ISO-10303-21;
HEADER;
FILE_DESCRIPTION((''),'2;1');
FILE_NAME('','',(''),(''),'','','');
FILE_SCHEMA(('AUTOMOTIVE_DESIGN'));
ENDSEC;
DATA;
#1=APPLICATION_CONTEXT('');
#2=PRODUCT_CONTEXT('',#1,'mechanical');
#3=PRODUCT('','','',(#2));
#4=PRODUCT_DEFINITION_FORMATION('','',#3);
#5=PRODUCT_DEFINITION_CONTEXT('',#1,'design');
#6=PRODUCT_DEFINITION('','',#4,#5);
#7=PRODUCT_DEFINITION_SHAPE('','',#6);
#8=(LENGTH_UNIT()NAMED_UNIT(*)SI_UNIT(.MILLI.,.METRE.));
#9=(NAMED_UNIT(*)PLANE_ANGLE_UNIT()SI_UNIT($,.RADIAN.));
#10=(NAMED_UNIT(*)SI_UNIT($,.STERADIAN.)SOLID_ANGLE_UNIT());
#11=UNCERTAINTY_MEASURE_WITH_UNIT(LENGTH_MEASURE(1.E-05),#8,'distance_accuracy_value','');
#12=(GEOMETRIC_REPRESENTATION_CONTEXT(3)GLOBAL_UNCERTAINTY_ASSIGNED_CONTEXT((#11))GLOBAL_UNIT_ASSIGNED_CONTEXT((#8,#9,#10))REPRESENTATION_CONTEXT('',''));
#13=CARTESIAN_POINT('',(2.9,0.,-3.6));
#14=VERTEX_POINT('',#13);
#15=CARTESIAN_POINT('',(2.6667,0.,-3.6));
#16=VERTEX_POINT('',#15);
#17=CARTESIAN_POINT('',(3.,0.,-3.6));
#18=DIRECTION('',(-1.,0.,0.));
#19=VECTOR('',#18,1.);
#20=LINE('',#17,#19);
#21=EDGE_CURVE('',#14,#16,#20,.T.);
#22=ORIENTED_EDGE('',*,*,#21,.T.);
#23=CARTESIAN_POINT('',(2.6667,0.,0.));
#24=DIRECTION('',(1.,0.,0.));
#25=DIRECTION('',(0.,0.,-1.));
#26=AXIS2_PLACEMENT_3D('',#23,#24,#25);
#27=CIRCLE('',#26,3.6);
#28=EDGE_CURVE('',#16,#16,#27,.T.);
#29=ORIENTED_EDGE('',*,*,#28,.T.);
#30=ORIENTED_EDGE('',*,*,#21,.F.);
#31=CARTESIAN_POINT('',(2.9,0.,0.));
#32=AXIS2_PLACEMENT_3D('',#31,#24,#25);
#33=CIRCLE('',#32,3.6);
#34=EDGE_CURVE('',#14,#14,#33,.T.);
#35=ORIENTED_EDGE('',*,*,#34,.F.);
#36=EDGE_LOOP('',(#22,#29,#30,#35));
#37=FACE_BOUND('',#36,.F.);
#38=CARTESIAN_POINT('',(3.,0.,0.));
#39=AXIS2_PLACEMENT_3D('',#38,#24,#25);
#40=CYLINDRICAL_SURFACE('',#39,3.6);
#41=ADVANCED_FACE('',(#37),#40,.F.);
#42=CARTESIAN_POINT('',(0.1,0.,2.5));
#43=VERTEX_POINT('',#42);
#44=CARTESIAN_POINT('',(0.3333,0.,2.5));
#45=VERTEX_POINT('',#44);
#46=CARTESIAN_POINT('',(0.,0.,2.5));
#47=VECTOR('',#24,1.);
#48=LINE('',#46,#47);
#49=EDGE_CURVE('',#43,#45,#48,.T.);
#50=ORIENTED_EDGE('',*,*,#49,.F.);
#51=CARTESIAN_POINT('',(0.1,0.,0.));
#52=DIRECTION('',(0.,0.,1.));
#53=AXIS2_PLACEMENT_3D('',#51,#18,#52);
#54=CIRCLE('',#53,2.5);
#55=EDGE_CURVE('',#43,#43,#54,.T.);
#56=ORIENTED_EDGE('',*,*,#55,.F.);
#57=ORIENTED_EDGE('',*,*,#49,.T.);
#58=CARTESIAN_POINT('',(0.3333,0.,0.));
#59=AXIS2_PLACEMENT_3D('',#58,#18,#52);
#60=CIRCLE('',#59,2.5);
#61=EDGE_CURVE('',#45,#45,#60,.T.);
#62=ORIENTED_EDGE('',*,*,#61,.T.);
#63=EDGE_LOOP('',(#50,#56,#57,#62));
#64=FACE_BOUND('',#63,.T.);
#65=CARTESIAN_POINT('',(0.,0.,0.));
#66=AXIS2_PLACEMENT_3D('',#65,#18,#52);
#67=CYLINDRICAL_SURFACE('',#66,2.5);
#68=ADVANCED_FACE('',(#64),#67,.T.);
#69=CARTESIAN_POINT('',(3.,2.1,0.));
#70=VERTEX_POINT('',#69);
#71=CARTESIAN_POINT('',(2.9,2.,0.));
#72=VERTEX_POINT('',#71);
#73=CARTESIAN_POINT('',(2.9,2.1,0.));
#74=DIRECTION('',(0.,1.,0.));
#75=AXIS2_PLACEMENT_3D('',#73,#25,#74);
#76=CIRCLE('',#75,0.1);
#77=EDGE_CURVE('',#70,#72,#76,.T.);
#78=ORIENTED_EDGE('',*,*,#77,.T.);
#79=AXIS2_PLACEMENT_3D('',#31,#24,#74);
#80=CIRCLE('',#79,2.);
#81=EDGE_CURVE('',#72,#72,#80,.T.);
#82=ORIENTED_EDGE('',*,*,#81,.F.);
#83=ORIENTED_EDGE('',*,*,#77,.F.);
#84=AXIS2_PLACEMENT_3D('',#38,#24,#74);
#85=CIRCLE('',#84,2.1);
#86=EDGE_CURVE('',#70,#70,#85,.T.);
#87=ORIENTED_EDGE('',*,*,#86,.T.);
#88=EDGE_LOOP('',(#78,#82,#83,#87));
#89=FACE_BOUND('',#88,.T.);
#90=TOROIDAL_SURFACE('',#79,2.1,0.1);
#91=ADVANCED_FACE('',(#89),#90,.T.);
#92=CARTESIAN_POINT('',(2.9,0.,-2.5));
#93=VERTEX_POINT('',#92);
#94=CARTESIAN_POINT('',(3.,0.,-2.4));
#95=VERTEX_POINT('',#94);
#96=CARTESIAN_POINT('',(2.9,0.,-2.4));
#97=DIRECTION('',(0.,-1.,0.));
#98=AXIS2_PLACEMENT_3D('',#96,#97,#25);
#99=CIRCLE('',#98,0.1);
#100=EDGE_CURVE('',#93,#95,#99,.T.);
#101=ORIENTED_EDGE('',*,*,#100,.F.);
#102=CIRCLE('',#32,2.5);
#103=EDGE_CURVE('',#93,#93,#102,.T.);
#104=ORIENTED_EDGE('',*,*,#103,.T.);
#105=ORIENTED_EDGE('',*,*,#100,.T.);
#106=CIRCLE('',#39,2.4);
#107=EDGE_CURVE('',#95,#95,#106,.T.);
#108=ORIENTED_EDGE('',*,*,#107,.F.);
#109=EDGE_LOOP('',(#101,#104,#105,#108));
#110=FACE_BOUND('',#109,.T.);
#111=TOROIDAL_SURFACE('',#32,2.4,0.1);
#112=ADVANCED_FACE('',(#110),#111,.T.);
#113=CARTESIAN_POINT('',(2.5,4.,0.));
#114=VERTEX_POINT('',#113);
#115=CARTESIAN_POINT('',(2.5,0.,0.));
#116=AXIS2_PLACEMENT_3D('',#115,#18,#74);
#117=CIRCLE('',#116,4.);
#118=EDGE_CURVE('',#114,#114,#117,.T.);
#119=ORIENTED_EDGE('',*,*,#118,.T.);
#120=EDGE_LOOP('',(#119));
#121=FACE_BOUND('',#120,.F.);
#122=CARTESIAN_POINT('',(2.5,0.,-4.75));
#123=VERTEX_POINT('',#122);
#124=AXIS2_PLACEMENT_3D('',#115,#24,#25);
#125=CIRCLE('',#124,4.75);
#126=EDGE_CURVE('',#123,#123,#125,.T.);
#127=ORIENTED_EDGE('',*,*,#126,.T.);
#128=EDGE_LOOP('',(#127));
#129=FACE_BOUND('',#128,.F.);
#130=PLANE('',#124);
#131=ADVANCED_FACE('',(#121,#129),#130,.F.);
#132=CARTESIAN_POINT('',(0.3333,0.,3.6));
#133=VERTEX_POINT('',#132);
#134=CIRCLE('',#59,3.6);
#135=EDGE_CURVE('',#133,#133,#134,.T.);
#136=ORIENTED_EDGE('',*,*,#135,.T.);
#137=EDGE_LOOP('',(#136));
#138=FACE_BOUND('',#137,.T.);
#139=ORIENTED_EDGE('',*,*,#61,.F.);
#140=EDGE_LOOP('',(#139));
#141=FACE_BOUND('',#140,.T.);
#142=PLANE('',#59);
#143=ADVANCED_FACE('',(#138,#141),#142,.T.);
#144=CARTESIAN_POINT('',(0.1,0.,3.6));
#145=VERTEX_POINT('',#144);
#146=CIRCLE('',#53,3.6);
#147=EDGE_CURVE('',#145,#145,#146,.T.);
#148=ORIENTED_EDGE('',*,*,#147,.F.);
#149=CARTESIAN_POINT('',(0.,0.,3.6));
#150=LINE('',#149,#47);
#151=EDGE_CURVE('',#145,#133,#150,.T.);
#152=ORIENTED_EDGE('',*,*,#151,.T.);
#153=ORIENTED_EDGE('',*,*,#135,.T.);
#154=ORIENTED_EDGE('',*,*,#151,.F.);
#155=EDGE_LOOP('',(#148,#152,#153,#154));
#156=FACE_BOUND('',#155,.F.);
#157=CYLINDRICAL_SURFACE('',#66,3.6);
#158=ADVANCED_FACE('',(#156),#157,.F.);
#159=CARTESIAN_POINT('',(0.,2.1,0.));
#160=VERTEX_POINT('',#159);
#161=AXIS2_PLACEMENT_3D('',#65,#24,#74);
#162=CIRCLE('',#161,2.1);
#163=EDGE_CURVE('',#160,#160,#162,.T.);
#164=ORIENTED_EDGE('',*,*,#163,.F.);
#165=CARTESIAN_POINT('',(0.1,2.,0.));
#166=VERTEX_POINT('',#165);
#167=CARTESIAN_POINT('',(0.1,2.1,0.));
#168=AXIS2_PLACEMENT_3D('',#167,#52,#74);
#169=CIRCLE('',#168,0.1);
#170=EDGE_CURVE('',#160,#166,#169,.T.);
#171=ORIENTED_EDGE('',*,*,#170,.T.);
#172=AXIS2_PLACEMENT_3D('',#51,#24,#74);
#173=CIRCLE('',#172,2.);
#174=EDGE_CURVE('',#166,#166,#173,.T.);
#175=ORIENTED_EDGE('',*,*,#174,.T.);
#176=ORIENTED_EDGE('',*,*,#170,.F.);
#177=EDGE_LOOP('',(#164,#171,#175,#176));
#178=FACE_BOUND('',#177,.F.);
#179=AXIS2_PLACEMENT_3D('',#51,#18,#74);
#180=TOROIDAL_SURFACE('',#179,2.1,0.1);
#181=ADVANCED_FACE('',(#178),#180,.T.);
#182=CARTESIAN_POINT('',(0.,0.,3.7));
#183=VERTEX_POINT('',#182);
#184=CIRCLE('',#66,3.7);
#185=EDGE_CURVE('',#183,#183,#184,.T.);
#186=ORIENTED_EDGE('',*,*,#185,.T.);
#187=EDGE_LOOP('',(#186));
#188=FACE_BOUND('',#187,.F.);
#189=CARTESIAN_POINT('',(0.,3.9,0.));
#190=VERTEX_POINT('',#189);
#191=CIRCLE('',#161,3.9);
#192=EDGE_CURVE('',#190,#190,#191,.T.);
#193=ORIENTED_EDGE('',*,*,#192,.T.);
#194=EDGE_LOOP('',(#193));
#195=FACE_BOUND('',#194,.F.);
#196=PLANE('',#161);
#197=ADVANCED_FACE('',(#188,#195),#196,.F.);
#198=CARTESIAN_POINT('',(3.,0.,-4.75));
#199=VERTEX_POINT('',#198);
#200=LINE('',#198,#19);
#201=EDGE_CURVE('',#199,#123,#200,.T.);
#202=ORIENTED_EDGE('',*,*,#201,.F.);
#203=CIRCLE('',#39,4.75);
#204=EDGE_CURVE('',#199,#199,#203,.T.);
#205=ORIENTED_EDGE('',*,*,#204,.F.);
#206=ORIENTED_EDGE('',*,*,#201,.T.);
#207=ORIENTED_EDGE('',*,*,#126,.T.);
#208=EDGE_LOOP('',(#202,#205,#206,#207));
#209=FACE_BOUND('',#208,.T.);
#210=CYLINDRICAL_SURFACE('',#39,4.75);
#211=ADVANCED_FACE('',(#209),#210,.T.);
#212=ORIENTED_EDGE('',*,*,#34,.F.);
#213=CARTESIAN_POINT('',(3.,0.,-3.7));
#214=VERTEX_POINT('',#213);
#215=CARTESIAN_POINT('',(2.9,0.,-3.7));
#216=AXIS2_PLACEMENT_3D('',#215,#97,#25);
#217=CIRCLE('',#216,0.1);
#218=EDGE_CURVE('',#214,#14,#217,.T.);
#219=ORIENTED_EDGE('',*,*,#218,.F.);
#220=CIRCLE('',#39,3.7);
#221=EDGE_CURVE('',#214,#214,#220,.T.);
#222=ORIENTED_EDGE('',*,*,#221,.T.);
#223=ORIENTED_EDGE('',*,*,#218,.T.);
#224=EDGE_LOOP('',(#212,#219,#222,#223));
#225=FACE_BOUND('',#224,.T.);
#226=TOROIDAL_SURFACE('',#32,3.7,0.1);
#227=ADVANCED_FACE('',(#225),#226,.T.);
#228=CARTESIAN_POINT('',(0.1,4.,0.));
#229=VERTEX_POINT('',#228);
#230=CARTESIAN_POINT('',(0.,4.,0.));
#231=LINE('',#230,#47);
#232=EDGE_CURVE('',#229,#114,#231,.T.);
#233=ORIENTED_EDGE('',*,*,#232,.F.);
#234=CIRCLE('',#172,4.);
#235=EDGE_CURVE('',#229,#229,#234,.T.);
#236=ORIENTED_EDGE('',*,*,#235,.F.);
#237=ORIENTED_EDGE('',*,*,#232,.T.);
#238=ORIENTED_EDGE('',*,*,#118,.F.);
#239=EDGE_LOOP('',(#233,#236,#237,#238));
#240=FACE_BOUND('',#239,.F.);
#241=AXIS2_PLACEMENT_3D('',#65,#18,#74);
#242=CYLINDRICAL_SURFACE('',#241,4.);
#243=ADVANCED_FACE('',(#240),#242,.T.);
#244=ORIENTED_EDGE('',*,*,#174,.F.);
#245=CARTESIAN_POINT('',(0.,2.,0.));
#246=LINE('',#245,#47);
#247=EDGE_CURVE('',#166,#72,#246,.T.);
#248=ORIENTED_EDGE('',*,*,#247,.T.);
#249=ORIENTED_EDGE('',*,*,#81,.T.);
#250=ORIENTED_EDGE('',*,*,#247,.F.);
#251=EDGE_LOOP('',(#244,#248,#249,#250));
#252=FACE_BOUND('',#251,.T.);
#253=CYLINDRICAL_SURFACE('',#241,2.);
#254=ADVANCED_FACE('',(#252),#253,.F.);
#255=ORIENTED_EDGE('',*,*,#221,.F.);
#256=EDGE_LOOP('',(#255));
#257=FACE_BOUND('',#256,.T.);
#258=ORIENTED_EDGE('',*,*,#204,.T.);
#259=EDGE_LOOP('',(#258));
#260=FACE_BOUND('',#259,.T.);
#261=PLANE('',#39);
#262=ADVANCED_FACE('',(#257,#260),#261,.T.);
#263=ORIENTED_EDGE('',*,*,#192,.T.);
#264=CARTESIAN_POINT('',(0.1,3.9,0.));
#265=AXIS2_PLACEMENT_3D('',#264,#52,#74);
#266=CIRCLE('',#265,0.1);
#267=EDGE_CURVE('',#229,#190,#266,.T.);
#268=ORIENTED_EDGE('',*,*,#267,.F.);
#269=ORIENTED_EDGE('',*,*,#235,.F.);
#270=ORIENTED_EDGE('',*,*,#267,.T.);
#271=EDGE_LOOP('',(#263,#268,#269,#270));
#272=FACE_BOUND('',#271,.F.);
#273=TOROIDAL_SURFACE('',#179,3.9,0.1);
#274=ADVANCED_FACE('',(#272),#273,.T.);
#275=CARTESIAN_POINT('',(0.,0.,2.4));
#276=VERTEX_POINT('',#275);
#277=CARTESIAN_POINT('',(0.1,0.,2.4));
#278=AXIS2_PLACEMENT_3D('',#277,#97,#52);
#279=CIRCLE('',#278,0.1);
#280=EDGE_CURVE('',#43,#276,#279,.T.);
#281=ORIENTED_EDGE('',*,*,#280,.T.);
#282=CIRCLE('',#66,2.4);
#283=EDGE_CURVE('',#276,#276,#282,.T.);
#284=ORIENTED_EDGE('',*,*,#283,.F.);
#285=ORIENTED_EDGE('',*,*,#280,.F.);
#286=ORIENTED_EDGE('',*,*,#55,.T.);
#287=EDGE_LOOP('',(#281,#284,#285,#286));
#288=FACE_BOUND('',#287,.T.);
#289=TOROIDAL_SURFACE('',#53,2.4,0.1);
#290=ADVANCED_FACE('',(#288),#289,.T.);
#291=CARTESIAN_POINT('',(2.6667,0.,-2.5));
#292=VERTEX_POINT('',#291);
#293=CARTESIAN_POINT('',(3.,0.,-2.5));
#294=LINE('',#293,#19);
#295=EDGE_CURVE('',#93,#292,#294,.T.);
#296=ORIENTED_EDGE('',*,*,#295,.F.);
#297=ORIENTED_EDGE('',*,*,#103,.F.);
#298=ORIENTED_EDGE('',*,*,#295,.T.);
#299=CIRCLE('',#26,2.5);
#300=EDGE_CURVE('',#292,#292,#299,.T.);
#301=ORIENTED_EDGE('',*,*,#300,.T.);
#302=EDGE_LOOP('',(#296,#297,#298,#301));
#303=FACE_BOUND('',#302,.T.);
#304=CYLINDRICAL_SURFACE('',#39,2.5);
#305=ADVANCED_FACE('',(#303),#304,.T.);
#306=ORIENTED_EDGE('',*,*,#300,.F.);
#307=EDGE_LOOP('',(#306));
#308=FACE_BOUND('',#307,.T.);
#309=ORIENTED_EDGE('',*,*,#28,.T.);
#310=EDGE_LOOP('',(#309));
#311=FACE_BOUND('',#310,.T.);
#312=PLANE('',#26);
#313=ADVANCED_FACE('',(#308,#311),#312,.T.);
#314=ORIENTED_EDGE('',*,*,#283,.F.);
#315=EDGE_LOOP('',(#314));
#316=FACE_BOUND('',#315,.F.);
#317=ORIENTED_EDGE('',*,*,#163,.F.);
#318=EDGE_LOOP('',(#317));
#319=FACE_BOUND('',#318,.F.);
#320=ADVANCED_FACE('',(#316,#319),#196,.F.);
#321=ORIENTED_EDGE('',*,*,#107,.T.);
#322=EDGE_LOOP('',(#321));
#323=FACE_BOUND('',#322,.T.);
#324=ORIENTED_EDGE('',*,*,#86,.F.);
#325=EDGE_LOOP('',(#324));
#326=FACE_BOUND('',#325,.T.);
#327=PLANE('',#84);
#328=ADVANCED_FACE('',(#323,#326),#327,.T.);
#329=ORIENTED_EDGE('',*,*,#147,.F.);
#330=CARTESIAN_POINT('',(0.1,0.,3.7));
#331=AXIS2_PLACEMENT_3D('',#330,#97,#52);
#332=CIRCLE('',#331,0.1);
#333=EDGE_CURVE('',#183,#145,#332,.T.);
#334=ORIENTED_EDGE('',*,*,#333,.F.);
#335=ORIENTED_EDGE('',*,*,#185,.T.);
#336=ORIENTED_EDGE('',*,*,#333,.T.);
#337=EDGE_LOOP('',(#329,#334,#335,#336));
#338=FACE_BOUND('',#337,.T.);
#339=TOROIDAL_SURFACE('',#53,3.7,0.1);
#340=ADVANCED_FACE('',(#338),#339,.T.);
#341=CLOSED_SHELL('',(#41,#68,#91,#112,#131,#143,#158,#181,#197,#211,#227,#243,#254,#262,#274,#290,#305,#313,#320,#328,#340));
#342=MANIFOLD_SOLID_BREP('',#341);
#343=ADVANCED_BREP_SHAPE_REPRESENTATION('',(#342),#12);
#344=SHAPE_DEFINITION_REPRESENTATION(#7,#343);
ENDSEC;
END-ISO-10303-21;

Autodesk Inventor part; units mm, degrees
ref_plane "YZ Plane" through (0, 0, 0) normal (1, 0, 0) x (0, 1, 0)
ref_plane "XZ Plane" through (0, 0, 0) normal (0, 1, 0) x (-1, 0, 0)
ref_plane "XY Plane" through (0, 0, 0) normal (0, 0, 1) x (1, 0, 0)
sketch "Эскиз1" plane through (0, 0, 0) normal (1, 0, 0) x (0, 1, 0)
  circle A0 centre (0, 0) radius 2
  circle A1 centre (0, 0) radius 4
  dimension "d0" = 4
  dimension "d1" = 8
extrude "Выдавливание1" add sketch "Эскиз1" along normal blind 3
sketch "Эскиз2" plane through (3, 0, 0) normal (1, 0, 0) x (0, 0, -1)
  circle A0 centre (0, 0) radius 2.5
  circle A1 centre (0, 0) radius 3.6
  circle A2 centre (0, 0) radius 4 projected
  circle A3 centre (0, 0) radius 2 projected
  dimension "d4" = 5
  dimension "d5" = 7.2
  dimension "d15" = 8
  dimension "d16" = 4
extrude "Выдавливание2" cut sketch "Эскиз2" against normal blind 0.3333 contours A1
sketch "Эскиз3" plane through (0, 0, 0) normal (-1, 0, 0) x (0, 0, 1)
  circle A0 centre (0, 0) radius 2.5 projected
  circle A1 centre (0, 0) radius 3.6 projected
  circle A2 centre (0, 0) radius 2.5
  circle A3 centre (0, 0) radius 3.6
extrude "Выдавливание3" cut sketch "Эскиз3" against normal blind 0.3333
fillet "Сопряжение1" radius 0.1 8 edges at (3, -4, 0) (3, 0, 3.6) (3, 0, 2.5) (3, -2, 0) (0, -4, 0) (0, 0, -3.6) (0, 0, -2.5) (0, -2, 0)
sketch "Эскиз6" plane through (3, 0, 0) normal (1, 0, 0) x (0, 0, -1)
  circle A0 centre (0, 0) radius 4.75
  circle A1 centre (0, 0) radius 3.9 projected
  dimension "d17" = 9.5
extrude "Выдавливание6" add sketch "Эскиз6" against normal blind 0.5
equation "\"d4\" = 1.25 * d16"
equation "\"d5\" = 0.9 * d15"
equation "\"d6\" = 0.0833333 * d0"
equation "\"d8\" = 0.0833333 * d0"
properties part number "Подшипник 685"
